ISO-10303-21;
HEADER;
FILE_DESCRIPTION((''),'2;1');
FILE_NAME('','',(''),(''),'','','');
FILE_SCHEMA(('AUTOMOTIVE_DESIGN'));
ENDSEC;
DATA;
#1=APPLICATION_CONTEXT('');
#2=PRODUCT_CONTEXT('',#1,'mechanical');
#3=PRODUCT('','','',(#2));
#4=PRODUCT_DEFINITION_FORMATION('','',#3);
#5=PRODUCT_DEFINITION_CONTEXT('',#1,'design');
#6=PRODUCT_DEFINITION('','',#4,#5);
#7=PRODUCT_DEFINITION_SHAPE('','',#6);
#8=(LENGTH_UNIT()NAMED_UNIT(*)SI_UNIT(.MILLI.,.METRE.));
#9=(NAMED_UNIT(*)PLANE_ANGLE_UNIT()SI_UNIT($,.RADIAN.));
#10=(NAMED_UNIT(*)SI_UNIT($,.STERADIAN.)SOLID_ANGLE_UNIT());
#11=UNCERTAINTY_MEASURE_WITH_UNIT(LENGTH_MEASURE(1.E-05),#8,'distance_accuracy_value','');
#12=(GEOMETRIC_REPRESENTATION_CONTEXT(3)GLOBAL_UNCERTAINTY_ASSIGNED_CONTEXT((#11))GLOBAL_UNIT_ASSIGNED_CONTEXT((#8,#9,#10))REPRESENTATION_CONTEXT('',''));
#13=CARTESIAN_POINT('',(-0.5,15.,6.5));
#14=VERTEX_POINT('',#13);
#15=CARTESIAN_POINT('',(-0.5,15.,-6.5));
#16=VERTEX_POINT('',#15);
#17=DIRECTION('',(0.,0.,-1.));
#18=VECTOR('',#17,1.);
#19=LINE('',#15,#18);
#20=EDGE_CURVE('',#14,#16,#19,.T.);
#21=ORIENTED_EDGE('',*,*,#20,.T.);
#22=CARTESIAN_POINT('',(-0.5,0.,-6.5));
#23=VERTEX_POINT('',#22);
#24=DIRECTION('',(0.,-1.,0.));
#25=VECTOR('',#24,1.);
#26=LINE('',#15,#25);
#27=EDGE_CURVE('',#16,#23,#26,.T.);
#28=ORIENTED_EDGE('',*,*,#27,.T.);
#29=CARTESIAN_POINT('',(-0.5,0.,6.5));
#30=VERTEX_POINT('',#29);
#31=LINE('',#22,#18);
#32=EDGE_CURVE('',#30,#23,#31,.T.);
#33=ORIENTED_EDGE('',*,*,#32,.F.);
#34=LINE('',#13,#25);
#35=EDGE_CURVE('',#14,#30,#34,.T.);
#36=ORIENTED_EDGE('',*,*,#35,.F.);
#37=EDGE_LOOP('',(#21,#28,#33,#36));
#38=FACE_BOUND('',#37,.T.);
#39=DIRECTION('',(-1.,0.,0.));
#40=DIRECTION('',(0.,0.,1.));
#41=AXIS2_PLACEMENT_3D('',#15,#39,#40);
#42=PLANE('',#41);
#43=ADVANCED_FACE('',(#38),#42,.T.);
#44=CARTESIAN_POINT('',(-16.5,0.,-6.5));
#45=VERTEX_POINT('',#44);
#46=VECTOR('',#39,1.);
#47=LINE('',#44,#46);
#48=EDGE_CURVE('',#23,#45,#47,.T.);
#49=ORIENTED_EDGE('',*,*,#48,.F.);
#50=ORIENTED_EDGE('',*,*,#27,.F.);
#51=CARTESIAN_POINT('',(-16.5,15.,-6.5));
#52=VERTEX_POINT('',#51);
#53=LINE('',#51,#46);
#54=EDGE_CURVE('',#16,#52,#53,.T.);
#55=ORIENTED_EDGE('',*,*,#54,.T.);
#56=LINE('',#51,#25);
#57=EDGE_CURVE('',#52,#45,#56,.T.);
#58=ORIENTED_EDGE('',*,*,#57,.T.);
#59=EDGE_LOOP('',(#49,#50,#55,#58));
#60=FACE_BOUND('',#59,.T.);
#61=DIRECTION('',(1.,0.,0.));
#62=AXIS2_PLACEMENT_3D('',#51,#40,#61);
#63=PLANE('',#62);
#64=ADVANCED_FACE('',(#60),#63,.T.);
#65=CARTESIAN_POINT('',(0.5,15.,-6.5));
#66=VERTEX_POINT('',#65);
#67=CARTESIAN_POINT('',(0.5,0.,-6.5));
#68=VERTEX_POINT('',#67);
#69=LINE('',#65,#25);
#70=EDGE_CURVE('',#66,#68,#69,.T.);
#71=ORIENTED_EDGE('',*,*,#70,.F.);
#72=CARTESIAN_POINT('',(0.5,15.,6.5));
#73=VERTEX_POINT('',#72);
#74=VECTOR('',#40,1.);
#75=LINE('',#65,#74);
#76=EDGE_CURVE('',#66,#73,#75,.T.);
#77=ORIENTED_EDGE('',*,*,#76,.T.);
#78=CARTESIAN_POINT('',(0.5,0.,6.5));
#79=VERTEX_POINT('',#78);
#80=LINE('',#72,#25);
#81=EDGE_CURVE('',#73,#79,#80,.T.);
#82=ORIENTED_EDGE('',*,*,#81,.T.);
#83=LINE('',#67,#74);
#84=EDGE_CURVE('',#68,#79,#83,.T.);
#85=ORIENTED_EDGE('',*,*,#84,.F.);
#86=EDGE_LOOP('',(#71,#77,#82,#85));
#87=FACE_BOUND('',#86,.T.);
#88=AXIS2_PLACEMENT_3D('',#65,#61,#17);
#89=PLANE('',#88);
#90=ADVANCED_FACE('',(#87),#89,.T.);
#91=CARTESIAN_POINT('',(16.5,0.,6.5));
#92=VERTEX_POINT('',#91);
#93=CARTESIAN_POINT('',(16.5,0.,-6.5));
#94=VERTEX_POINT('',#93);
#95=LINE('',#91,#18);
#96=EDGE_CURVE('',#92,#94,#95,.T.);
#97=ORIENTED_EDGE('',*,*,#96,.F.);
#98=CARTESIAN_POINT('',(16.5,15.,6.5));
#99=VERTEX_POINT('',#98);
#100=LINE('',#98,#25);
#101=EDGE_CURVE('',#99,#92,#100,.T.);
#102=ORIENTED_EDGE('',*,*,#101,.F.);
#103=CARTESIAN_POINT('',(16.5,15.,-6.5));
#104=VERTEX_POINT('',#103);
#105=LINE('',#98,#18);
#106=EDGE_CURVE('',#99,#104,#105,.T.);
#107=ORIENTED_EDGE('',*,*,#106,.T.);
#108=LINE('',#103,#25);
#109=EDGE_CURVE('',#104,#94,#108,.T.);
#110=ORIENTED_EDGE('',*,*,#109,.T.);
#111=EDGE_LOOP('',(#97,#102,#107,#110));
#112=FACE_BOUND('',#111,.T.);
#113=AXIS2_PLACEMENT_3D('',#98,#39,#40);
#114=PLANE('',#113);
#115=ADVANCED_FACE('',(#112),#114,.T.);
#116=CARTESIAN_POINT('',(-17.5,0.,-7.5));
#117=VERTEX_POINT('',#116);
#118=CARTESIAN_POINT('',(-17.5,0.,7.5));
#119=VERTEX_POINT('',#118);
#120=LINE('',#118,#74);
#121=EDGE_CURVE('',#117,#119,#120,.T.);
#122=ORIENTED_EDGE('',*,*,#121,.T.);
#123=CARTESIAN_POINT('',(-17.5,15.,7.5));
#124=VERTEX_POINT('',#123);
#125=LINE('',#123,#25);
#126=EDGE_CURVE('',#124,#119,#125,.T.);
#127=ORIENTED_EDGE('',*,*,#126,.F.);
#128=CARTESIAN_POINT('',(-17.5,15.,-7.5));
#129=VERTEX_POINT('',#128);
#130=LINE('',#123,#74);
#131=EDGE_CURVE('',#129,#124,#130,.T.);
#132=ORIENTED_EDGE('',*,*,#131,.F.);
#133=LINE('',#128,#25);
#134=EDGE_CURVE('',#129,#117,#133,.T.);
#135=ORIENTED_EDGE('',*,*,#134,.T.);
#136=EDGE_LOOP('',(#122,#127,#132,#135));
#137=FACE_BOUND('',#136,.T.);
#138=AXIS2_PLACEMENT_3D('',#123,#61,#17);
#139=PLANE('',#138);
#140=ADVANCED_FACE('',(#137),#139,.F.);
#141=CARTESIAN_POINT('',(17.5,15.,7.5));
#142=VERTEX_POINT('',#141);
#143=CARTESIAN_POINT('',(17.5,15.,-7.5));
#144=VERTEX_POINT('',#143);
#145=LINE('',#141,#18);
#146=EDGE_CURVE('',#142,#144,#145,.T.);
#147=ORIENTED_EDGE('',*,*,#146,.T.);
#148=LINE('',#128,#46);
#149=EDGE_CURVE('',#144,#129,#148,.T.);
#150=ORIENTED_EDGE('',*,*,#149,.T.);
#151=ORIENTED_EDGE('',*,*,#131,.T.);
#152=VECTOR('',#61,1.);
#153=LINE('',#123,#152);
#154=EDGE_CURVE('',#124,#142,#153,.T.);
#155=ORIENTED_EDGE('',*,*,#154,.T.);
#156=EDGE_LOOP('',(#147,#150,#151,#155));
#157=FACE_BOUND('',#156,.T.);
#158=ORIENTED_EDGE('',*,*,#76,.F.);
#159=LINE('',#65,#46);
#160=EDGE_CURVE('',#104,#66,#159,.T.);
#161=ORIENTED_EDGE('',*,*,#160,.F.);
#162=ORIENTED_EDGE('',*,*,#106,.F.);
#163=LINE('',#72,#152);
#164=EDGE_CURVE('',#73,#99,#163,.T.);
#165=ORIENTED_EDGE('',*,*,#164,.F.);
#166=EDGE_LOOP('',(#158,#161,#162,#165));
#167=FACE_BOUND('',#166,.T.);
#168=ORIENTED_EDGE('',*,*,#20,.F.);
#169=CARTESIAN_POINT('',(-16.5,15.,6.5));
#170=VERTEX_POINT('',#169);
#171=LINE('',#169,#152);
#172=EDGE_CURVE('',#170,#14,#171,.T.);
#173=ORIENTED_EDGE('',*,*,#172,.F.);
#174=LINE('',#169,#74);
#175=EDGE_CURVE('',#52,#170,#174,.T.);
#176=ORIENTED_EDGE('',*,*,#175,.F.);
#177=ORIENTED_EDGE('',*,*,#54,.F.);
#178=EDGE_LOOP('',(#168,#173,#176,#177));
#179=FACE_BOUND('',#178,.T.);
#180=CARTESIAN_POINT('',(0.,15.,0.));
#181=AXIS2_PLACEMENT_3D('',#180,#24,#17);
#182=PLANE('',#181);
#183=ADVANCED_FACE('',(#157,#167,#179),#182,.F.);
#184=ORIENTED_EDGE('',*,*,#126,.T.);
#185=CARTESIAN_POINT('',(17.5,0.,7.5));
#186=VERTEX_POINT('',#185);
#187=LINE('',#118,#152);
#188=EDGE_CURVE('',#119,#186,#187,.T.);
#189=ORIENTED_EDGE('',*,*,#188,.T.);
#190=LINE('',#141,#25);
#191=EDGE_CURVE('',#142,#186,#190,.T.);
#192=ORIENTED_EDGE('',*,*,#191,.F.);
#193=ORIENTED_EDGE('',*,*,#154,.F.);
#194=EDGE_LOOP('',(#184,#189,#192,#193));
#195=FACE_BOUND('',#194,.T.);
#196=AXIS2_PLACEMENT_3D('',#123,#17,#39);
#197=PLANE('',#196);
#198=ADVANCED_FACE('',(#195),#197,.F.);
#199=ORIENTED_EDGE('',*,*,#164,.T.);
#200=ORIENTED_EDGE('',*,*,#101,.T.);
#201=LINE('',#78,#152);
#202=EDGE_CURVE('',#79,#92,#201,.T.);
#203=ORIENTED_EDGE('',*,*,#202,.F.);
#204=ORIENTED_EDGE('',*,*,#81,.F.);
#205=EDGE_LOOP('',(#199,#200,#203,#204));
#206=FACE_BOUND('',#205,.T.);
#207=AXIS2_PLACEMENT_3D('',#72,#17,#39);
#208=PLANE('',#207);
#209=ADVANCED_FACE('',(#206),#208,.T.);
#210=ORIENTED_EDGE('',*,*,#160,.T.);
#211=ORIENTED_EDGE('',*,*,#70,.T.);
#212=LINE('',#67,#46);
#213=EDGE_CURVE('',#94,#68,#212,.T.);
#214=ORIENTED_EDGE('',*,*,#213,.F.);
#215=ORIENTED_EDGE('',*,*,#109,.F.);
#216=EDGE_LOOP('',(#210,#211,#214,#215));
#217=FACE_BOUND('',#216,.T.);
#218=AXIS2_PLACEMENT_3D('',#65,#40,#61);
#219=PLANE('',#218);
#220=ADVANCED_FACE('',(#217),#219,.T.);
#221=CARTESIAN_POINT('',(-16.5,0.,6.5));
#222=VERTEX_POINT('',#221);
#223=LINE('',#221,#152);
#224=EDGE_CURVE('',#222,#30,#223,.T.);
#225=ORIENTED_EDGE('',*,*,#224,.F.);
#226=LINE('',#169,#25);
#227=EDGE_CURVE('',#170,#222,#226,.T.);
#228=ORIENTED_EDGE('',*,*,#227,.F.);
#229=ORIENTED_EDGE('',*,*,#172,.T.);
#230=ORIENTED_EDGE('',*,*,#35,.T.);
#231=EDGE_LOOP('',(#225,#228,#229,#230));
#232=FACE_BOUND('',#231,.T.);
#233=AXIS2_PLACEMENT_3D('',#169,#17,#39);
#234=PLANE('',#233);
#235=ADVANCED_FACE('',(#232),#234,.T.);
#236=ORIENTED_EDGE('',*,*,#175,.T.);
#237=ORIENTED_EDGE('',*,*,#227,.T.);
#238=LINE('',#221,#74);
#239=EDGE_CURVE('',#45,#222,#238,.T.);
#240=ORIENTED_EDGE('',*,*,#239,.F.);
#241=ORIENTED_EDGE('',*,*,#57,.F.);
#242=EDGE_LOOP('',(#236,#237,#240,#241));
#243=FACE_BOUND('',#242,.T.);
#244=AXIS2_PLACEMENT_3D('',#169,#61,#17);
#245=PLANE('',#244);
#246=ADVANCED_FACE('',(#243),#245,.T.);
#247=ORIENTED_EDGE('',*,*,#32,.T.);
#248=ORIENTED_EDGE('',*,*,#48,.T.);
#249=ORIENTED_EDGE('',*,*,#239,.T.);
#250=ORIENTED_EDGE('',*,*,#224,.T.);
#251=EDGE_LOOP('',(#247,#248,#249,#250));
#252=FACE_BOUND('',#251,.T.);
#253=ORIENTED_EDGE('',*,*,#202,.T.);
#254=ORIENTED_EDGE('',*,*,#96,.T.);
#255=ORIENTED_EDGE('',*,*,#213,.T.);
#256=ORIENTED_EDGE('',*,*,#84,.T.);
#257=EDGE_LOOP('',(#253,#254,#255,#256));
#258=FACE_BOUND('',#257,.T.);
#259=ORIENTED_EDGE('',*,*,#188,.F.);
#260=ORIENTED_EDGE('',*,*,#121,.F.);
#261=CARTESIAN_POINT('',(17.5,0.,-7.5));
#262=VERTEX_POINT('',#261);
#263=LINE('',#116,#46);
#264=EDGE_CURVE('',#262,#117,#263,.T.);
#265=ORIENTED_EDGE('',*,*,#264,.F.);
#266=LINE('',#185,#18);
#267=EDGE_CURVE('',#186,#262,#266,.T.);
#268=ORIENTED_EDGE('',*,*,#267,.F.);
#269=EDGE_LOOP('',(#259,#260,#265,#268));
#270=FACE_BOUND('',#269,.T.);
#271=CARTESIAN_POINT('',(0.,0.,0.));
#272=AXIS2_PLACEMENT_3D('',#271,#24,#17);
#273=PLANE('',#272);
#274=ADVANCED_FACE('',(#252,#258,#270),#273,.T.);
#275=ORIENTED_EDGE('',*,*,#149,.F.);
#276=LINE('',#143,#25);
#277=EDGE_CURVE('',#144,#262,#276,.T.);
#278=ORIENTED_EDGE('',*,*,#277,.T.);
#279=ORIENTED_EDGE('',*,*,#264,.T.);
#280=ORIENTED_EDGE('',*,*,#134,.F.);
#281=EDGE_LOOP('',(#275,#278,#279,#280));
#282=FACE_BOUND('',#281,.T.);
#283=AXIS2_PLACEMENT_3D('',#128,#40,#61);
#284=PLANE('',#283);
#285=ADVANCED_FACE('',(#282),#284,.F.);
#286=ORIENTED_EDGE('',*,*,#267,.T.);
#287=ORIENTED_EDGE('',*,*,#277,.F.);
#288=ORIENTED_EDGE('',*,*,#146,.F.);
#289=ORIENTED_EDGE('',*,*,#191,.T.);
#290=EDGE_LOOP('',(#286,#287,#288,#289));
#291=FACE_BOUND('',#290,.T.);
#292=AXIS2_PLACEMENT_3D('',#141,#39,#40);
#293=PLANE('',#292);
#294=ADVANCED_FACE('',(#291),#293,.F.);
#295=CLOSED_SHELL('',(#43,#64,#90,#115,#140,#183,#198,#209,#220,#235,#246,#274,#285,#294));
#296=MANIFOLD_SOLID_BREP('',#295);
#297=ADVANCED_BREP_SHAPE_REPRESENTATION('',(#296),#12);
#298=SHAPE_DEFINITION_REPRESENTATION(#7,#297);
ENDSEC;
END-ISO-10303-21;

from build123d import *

# Parameters (mm, degrees)
STWOBASE_W     = 35
STWOBASE_H     = 15
STWOBASE_W_2   = 16
STWOBASE_H_2   = 13
FTWOBASE_DEPTH = 15


with BuildPart() as part:
    # STwoBase → FTwoBase (new body)
    with BuildSketch(Plane(origin=(0, 0, 0), x_dir=(1, 0, 0), z_dir=(0, 1, 0))):
        Rectangle(STWOBASE_W, STWOBASE_H)
        with Locations((-8.5, 0)):
            Rectangle(STWOBASE_W_2, STWOBASE_H_2, mode=Mode.SUBTRACT)
        with Locations((8.5, 0)):
            Rectangle(STWOBASE_W_2, STWOBASE_H_2, mode=Mode.SUBTRACT)
    extrude(amount=FTWOBASE_DEPTH)


solid = part.part
